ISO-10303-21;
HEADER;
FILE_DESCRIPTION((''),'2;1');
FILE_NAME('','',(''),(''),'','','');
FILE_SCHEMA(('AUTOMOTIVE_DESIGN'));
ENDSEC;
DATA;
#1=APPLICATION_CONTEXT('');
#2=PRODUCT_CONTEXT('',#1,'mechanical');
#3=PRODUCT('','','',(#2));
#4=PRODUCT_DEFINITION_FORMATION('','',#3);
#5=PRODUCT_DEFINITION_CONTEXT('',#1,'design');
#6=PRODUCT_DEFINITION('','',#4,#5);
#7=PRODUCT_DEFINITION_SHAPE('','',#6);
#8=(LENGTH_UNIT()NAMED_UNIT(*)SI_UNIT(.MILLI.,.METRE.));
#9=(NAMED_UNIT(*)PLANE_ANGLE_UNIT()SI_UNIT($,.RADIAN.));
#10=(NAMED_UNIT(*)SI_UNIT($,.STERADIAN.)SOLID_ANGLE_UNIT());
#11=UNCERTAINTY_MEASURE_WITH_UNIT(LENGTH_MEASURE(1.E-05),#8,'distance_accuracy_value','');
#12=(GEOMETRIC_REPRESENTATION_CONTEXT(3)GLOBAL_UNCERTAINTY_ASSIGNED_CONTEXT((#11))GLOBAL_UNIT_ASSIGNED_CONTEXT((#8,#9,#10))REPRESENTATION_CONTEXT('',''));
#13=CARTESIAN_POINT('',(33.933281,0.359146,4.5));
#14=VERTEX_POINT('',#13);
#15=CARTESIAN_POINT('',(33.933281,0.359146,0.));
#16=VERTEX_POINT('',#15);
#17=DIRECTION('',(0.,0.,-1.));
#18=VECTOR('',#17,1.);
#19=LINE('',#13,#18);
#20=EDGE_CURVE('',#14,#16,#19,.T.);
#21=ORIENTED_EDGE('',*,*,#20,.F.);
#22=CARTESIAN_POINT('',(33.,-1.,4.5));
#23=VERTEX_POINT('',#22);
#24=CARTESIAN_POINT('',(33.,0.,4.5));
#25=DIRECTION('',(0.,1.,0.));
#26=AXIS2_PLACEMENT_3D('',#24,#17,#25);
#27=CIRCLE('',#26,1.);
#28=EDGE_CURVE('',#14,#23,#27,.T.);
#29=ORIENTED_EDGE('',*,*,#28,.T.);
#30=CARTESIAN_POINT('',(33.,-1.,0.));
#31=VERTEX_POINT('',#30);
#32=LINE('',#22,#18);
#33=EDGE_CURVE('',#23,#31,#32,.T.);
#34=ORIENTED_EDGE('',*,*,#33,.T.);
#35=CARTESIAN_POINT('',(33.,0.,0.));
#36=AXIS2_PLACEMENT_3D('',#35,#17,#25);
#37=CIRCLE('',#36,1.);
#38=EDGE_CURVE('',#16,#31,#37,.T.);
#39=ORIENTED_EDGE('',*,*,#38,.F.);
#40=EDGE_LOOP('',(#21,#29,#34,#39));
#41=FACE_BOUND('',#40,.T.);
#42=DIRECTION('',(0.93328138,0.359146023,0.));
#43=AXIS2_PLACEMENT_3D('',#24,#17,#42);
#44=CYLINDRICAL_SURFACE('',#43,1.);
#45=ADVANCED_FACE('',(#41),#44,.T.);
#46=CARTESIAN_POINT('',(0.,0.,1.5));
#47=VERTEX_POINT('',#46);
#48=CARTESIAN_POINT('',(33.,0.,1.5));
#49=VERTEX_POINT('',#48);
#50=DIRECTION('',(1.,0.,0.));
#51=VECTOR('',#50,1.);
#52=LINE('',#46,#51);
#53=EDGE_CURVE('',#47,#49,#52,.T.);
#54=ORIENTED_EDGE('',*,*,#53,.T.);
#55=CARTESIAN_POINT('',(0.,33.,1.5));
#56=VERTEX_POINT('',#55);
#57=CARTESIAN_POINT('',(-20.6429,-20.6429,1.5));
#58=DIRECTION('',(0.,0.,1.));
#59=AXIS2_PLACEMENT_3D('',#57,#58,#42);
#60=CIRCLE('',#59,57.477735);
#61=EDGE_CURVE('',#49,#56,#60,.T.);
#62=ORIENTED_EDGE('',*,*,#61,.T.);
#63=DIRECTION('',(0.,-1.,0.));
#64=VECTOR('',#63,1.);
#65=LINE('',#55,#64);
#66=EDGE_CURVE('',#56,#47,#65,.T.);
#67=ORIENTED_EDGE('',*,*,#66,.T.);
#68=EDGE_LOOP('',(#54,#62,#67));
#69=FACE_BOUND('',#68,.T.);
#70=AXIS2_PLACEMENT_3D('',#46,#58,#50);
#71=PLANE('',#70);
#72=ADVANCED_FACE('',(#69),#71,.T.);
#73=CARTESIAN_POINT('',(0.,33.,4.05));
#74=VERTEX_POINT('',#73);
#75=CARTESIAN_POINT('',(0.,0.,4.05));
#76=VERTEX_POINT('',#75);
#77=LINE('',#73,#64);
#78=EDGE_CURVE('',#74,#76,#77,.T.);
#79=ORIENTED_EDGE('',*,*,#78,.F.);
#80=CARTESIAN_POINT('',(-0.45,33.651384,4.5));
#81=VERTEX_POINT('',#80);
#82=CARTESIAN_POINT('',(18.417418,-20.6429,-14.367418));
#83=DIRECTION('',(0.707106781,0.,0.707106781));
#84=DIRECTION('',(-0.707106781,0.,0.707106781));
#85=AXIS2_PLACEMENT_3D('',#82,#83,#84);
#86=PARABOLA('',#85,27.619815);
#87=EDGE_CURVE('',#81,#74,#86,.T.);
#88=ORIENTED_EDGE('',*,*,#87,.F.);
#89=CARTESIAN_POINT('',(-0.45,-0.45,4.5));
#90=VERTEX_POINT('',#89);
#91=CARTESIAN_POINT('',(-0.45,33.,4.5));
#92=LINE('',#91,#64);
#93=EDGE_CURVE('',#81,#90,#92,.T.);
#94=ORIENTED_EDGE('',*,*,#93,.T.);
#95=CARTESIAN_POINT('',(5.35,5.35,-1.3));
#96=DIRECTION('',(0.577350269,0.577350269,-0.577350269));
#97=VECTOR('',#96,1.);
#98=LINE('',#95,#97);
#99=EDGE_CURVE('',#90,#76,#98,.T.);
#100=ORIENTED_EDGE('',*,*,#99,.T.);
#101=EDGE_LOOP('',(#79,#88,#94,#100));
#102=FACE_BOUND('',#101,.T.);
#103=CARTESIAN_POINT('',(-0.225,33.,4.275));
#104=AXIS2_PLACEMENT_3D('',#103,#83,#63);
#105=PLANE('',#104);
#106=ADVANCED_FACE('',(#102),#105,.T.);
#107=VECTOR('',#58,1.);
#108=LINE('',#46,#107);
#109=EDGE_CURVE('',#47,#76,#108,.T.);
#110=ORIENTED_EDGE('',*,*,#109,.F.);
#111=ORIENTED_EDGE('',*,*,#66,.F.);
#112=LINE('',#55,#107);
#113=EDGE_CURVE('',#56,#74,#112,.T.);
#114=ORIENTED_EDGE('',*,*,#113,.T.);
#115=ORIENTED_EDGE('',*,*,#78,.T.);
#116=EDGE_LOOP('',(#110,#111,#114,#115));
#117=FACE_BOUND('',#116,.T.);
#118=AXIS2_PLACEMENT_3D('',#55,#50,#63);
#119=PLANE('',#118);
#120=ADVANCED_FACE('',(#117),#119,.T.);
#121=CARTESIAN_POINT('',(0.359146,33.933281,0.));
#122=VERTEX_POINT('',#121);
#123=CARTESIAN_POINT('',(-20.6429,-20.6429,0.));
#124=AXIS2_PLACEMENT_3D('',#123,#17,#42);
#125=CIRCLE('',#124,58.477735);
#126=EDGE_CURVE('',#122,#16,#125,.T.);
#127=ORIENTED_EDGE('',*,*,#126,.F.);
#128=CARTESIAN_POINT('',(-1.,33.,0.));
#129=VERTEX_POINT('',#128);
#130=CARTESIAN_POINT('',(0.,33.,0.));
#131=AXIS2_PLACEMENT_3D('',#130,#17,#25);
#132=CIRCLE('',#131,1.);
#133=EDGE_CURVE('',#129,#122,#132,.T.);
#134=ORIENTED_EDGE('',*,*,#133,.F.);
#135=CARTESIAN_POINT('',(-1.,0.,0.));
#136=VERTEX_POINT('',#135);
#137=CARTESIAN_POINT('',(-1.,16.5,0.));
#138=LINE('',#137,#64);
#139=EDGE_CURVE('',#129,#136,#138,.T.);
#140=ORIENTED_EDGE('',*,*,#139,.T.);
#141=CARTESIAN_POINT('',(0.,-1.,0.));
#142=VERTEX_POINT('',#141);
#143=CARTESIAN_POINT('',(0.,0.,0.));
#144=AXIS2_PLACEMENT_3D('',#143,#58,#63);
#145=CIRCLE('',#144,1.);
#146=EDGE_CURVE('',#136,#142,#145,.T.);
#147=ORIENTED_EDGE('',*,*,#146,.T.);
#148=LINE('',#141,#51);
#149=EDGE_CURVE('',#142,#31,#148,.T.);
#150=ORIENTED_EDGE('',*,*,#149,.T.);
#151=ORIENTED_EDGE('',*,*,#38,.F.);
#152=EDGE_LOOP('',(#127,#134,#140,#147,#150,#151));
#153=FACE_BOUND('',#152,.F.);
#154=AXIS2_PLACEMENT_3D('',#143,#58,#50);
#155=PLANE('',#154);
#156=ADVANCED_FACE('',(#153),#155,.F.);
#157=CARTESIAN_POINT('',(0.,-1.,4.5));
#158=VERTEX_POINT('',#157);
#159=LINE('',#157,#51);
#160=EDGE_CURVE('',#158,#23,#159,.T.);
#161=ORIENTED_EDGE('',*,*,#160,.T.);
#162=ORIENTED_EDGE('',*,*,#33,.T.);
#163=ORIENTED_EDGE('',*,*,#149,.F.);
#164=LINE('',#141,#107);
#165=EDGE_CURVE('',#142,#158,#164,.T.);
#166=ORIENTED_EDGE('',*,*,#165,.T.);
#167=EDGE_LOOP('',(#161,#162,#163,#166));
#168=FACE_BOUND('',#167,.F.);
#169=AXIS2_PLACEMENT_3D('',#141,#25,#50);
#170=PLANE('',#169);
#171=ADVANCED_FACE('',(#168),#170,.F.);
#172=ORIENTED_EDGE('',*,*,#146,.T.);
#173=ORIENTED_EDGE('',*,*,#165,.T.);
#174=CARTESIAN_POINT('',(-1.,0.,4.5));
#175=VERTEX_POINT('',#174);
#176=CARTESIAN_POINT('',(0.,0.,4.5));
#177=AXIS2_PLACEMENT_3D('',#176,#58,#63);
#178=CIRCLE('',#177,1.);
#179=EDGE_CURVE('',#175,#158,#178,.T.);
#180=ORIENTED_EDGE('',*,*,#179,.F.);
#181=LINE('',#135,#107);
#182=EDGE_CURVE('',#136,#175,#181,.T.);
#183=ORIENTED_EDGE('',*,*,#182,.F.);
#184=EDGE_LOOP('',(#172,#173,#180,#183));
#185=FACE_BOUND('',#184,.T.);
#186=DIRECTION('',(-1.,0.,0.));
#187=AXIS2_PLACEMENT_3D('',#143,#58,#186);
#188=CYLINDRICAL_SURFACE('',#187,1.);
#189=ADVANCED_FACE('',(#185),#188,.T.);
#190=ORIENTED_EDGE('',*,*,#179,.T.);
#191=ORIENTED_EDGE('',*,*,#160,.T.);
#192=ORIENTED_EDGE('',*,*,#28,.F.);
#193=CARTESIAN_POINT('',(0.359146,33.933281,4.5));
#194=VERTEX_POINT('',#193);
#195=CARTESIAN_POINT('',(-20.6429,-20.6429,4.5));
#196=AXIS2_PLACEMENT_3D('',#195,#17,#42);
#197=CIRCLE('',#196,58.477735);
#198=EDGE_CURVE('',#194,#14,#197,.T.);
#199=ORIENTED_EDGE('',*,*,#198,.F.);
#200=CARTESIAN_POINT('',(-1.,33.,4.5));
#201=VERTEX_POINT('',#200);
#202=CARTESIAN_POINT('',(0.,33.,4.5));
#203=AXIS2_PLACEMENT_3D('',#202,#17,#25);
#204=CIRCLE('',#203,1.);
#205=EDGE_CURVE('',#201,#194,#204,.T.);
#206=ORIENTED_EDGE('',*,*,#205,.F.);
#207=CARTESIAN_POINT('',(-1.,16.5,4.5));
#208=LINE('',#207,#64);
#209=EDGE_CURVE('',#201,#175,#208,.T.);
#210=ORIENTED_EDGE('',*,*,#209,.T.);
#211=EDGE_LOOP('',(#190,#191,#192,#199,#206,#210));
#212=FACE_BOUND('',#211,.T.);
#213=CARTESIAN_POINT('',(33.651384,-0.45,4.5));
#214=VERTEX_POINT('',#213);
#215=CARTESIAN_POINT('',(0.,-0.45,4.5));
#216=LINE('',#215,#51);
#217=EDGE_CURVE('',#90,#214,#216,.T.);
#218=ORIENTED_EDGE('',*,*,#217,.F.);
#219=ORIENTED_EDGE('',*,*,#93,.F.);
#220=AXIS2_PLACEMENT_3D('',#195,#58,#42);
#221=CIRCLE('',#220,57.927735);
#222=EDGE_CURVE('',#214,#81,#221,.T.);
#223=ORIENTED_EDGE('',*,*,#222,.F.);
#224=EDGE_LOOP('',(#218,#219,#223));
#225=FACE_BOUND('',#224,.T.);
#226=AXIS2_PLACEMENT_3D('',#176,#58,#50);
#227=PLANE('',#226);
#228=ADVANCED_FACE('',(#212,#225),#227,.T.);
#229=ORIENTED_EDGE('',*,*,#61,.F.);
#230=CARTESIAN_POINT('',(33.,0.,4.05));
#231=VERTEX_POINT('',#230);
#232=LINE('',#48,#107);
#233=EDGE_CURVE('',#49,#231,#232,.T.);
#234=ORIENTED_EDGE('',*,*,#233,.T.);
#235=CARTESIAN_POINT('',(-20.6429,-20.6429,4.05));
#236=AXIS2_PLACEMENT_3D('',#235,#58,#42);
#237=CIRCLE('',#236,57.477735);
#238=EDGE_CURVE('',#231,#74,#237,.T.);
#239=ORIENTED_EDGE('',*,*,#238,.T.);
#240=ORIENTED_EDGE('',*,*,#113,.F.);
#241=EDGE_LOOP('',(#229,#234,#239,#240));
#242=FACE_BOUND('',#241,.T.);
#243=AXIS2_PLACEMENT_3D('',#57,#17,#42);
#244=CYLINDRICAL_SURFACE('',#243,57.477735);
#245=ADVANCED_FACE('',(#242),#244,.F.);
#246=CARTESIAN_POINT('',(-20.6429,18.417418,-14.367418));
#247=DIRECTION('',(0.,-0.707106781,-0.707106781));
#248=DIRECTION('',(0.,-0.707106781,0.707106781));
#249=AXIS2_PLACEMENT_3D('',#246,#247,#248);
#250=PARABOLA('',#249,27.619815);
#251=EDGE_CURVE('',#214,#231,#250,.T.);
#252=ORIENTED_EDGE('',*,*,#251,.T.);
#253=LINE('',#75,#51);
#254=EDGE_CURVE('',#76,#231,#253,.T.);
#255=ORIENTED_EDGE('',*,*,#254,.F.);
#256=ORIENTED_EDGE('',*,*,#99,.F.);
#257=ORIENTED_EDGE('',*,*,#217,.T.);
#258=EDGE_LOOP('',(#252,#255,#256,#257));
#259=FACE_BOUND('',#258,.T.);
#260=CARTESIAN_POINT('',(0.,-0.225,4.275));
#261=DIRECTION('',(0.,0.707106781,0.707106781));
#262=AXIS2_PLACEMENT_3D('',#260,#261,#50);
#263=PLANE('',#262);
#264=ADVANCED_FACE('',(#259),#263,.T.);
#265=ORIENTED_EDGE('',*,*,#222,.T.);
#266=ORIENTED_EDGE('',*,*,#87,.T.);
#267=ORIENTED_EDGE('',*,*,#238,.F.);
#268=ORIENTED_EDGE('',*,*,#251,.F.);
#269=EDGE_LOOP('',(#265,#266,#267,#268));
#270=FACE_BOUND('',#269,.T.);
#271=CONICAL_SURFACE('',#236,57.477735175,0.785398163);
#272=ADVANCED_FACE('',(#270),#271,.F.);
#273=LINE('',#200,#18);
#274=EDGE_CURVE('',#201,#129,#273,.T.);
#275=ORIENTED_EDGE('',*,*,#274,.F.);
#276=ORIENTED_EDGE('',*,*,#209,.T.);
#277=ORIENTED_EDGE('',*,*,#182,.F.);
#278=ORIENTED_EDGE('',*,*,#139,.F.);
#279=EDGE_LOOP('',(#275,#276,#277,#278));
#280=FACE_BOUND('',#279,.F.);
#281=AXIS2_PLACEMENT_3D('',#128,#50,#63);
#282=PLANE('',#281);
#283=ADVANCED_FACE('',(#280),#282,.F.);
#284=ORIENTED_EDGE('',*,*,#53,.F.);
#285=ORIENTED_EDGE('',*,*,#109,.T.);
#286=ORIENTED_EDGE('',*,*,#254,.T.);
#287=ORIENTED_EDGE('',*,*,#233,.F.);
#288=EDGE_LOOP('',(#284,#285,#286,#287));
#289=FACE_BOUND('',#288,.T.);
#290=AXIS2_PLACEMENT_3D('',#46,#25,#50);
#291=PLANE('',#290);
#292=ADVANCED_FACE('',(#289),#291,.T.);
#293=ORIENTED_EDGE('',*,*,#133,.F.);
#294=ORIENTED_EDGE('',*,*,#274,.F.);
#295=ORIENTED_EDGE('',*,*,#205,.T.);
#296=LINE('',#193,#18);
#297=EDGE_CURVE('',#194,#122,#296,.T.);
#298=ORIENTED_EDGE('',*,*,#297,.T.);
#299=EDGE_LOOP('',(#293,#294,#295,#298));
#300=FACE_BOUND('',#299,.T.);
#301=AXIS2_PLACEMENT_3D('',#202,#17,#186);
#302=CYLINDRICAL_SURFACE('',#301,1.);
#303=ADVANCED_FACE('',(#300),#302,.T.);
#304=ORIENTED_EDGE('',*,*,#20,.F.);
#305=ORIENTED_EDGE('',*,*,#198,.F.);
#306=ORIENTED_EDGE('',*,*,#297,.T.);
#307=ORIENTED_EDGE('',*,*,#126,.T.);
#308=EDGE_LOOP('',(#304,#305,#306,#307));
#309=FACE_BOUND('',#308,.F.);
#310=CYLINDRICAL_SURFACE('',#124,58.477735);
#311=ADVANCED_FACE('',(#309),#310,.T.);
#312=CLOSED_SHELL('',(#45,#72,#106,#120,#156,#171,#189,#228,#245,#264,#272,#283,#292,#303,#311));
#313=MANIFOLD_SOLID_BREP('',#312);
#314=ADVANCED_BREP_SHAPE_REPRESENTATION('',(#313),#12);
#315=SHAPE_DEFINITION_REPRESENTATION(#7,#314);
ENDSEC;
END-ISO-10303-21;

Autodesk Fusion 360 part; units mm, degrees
sketch "Sketch1" plane through (0, 0, 0) normal (0, 0, 1) x (1, 0, 0)
sketch "Sketch2" plane through (0, 0, 0) normal (0, 0, 1) x (1, 0, 0)
  line L0 (0, 0) -> (33, 0)
  line L1 (33, 0) -> (33, 33)
  line L2 (33, 33) -> (0, 33)
  line L3 (0, 33) -> (0, 0)
  arc A0 (33, 0) -> (0, 33) centre (-20.6429, -20.6429) ccw
  dimension "d1" = 33
  dimension "d2" = 33
extrude "Extrude1" add sketch "Sketch2" along normal blind 4.5 contours L0 L3 A0
move_face "OffsetFaces1" offset 1 3 faces at (11, 0, 1.5) (0, 22, 1.5) (21.8433, 18.069, 3)
extrude "Extrude2" cut sketch "Sketch2" along normal blind 3 from surface at 1.5 contours L0 L3 A0
fillet "Fillet1" radius 1 3 edges at (-1, -1, 2.25) (34.4371, -1, 2.25) (-1, 34.4371, 2.25)
chamfer "Chamfer1" distance 0.45 angle 45 3 edges at (0, 16.5, 4.5) (20, 20, 4.5) (16.5, 0, 4.5)
